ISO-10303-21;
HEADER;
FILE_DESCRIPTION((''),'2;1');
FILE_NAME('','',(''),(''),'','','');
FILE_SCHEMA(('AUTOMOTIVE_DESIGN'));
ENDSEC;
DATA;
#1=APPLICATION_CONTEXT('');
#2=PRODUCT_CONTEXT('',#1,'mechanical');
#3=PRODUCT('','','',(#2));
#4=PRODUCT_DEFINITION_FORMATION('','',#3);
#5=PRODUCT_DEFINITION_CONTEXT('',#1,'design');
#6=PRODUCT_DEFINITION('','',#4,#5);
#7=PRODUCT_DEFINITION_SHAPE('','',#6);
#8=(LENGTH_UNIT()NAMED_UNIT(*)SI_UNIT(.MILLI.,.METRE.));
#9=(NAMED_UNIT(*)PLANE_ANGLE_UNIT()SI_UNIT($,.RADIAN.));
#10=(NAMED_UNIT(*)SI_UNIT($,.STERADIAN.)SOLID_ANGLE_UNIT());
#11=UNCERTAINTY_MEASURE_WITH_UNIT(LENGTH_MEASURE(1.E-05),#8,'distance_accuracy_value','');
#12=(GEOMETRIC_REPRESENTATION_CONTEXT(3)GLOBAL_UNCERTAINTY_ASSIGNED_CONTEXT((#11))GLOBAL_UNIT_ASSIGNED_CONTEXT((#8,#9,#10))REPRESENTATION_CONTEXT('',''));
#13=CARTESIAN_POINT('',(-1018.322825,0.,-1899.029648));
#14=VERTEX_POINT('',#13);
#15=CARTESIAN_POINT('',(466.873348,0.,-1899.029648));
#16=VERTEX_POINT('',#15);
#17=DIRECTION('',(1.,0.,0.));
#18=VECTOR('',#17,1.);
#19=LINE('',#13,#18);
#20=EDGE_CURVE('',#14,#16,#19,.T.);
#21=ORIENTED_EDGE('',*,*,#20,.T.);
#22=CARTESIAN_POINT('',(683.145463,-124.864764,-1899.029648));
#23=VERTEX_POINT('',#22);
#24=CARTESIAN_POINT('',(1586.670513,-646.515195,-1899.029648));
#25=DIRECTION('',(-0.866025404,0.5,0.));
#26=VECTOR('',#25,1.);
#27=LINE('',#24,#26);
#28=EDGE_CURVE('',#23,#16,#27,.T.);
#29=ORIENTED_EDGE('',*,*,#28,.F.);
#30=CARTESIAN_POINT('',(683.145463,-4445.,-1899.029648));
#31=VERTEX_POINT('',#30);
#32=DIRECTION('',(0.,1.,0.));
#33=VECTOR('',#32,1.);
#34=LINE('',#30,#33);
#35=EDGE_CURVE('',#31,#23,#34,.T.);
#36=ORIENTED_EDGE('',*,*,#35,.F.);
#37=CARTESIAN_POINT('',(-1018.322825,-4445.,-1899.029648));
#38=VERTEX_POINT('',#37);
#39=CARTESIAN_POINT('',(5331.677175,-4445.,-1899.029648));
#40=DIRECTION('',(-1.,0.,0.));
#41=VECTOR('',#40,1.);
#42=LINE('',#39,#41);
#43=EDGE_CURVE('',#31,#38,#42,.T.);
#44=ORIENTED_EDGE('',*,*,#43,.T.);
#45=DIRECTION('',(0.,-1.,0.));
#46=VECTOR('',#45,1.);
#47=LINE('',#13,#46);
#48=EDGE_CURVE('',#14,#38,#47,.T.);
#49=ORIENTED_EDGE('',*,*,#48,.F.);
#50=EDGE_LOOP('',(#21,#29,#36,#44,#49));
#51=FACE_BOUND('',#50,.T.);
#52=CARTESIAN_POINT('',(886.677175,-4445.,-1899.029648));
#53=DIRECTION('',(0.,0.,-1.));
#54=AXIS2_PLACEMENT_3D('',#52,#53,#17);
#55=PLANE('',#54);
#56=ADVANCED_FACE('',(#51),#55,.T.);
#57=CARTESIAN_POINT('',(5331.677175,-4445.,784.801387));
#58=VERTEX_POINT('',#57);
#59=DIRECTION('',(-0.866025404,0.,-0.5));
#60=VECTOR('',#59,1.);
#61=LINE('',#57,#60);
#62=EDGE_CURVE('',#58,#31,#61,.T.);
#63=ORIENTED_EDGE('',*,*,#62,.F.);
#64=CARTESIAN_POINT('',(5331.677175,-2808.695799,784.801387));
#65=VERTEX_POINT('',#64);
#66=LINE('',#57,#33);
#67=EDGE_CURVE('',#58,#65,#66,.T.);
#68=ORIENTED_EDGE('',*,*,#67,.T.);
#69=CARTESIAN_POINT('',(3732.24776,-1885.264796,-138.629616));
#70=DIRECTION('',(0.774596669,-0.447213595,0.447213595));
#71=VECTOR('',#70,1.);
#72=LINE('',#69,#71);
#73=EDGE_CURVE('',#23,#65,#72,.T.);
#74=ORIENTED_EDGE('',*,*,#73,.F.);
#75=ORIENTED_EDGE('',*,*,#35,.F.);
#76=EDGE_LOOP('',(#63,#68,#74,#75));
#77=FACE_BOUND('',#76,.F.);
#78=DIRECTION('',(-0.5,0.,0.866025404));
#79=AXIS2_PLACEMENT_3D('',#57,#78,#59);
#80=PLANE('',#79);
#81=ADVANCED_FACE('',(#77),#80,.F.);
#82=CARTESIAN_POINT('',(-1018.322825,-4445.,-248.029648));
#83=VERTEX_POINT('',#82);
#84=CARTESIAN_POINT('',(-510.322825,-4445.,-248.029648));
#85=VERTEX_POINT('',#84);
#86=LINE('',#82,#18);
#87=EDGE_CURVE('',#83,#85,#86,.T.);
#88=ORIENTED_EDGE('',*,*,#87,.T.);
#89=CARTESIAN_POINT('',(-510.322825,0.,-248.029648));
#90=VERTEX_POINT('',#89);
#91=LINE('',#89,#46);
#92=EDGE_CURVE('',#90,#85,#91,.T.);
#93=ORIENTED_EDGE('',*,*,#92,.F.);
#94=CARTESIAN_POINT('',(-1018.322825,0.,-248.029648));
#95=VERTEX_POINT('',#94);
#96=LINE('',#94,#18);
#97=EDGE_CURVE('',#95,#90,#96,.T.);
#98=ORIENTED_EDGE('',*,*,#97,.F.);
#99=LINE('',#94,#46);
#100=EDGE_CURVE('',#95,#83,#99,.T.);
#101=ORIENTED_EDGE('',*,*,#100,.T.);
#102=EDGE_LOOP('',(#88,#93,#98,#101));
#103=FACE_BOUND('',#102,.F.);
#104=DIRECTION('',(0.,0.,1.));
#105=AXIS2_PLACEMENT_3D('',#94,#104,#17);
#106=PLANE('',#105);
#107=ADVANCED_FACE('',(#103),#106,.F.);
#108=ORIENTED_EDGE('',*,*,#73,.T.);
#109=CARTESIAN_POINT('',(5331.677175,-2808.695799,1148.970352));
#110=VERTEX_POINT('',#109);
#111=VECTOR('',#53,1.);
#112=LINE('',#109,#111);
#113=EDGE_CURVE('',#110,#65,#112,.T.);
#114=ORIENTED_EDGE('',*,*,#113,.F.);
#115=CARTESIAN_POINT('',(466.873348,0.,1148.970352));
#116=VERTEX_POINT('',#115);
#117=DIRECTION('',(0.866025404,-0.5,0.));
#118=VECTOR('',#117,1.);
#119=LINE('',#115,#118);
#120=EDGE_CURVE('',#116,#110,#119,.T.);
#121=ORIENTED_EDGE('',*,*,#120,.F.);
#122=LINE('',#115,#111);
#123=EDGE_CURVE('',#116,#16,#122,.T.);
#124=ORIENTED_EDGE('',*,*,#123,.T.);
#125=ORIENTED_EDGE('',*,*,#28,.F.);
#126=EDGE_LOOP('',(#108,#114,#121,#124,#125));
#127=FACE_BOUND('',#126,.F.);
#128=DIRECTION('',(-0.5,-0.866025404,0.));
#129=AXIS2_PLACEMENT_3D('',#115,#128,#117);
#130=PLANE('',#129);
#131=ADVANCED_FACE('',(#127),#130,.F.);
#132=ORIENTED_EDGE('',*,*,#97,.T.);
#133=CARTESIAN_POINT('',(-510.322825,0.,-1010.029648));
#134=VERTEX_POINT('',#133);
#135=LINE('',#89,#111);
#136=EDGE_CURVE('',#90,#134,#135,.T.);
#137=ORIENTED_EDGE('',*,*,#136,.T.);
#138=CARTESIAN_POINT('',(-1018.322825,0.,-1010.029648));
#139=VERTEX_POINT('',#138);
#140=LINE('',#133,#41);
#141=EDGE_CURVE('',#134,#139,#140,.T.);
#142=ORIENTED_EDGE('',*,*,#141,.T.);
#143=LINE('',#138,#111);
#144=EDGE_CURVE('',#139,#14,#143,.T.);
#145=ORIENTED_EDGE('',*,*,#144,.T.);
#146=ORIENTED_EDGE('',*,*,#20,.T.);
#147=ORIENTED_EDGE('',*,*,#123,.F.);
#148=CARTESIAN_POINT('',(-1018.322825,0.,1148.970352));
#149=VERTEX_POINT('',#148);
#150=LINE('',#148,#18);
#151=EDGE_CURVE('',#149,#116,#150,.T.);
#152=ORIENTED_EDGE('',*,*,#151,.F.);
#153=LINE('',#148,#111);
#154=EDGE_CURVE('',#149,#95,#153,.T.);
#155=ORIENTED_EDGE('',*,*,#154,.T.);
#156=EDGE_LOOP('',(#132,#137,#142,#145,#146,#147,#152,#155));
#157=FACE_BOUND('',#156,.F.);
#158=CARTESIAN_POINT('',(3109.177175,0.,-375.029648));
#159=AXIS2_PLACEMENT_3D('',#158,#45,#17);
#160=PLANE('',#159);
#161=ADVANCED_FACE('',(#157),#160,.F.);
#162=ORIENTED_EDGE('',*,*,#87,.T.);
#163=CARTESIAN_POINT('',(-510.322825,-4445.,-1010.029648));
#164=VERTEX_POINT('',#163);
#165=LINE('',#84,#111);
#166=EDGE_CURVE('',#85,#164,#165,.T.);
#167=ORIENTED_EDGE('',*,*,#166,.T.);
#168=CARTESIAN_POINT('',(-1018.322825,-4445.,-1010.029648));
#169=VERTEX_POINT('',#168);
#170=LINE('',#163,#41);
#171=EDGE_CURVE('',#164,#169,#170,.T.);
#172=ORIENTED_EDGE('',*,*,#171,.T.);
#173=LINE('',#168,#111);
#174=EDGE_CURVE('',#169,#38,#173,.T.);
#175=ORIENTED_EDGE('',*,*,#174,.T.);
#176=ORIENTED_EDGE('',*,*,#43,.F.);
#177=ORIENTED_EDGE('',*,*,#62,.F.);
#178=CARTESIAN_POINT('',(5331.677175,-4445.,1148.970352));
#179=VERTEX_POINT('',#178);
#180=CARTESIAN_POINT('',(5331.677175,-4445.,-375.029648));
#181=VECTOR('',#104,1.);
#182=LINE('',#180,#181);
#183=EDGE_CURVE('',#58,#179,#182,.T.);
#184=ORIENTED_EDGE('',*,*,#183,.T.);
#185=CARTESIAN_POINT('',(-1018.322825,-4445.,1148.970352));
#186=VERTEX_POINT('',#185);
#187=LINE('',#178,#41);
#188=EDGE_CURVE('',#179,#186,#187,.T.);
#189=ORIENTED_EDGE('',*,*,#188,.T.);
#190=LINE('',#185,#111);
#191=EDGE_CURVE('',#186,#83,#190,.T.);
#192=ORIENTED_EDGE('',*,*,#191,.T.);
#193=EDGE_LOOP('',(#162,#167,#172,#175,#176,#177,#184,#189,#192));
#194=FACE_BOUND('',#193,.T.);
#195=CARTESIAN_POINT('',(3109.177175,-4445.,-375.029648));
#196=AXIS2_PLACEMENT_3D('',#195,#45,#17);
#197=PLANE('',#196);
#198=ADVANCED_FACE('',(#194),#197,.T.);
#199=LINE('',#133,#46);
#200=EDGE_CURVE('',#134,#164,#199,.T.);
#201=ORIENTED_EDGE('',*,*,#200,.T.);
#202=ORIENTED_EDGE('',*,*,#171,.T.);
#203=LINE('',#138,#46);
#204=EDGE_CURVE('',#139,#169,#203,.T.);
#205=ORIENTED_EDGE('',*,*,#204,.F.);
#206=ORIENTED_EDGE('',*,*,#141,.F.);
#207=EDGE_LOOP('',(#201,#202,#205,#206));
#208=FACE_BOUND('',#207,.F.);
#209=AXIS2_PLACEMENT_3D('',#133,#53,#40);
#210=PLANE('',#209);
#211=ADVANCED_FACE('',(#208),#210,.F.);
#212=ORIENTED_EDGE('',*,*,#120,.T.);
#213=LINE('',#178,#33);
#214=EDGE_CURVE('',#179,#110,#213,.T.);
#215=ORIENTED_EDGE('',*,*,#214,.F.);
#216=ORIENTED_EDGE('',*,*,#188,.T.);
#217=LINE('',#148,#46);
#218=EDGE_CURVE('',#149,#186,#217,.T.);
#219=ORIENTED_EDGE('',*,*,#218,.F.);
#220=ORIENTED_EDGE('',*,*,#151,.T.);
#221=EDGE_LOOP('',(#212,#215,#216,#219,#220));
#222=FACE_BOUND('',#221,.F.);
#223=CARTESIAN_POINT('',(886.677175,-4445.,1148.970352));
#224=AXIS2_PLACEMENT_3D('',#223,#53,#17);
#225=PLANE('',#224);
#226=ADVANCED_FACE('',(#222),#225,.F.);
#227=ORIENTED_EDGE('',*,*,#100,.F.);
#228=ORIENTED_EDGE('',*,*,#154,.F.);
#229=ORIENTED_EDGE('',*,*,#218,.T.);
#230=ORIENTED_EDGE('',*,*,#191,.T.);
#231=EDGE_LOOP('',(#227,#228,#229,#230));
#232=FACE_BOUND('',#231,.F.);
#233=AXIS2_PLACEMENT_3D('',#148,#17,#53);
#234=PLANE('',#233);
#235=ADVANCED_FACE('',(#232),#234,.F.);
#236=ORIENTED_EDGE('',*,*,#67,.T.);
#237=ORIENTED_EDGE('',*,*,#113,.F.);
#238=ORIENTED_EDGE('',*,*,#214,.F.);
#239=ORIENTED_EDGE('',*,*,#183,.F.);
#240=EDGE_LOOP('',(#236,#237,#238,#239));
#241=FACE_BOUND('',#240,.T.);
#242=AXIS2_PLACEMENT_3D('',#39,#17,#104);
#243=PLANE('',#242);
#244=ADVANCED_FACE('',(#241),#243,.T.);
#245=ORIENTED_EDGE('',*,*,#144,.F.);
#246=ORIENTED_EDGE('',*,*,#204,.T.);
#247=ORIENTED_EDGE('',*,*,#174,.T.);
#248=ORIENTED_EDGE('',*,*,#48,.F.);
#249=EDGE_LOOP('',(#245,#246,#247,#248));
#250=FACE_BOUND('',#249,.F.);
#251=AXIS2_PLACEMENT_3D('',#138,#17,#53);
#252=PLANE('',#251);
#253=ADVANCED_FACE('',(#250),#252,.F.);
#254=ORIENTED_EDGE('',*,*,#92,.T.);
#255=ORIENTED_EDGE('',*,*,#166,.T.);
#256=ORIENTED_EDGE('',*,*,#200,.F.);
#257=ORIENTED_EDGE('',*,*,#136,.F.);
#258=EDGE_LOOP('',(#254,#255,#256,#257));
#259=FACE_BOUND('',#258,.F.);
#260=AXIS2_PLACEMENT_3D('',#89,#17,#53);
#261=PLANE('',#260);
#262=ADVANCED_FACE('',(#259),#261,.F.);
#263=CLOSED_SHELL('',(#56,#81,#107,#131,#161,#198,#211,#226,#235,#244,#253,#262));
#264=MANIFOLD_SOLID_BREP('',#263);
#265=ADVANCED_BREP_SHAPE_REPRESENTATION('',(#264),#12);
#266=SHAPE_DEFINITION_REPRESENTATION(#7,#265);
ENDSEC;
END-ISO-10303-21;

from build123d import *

# Parameters (mm, degrees)
F1_DEPTH = 4445
F2_W     = 4445
F2_H     = 3048
F3_DEPTH = 4445
F5_DEPTH = 4445.001
F7_DEPTH = 3048.001


with BuildPart() as f1:
    # F0 (on Front) → F1 (new body)
    with BuildSketch(Plane.XZ):
        Polygon((886.677175, 1148.970352), (-1018.322825, 1148.970352), (-1018.322825, -248.029648), (-510.322825, -248.029648), (-510.322825, -1010.029648), (-1018.322825, -1010.029648), (-1018.322825, -1899.029648), (886.677175, -1899.029648), align=None)
    extrude(amount=F1_DEPTH)

    # F2 (on face) → F3 (join)
    with BuildSketch(Plane.XZ.offset(4445)):
        with Locations((3109.177175, -375.029648)):
            Rectangle(F2_W, F2_H)
    extrude(amount=-F3_DEPTH)

    # F4 (on face) → F5 (cut, through all)
    with BuildSketch(Plane.XZ.offset(4445)):
        Polygon((5331.677175, 784.801387), (683.145463, -1899.029648), (5331.677175, -1899.029648), align=None)
    extrude(amount=-F5_DEPTH, mode=Mode.SUBTRACT)

    # F6 (on face) → F7 (cut, through all)
    with BuildSketch(Plane.XY.offset(1148.970352)):
        Polygon((5331.677175, 0), (466.873348, 0), (5331.677175, -2808.695799), align=None)
    extrude(amount=-F7_DEPTH, mode=Mode.SUBTRACT)


solid = f1.part
